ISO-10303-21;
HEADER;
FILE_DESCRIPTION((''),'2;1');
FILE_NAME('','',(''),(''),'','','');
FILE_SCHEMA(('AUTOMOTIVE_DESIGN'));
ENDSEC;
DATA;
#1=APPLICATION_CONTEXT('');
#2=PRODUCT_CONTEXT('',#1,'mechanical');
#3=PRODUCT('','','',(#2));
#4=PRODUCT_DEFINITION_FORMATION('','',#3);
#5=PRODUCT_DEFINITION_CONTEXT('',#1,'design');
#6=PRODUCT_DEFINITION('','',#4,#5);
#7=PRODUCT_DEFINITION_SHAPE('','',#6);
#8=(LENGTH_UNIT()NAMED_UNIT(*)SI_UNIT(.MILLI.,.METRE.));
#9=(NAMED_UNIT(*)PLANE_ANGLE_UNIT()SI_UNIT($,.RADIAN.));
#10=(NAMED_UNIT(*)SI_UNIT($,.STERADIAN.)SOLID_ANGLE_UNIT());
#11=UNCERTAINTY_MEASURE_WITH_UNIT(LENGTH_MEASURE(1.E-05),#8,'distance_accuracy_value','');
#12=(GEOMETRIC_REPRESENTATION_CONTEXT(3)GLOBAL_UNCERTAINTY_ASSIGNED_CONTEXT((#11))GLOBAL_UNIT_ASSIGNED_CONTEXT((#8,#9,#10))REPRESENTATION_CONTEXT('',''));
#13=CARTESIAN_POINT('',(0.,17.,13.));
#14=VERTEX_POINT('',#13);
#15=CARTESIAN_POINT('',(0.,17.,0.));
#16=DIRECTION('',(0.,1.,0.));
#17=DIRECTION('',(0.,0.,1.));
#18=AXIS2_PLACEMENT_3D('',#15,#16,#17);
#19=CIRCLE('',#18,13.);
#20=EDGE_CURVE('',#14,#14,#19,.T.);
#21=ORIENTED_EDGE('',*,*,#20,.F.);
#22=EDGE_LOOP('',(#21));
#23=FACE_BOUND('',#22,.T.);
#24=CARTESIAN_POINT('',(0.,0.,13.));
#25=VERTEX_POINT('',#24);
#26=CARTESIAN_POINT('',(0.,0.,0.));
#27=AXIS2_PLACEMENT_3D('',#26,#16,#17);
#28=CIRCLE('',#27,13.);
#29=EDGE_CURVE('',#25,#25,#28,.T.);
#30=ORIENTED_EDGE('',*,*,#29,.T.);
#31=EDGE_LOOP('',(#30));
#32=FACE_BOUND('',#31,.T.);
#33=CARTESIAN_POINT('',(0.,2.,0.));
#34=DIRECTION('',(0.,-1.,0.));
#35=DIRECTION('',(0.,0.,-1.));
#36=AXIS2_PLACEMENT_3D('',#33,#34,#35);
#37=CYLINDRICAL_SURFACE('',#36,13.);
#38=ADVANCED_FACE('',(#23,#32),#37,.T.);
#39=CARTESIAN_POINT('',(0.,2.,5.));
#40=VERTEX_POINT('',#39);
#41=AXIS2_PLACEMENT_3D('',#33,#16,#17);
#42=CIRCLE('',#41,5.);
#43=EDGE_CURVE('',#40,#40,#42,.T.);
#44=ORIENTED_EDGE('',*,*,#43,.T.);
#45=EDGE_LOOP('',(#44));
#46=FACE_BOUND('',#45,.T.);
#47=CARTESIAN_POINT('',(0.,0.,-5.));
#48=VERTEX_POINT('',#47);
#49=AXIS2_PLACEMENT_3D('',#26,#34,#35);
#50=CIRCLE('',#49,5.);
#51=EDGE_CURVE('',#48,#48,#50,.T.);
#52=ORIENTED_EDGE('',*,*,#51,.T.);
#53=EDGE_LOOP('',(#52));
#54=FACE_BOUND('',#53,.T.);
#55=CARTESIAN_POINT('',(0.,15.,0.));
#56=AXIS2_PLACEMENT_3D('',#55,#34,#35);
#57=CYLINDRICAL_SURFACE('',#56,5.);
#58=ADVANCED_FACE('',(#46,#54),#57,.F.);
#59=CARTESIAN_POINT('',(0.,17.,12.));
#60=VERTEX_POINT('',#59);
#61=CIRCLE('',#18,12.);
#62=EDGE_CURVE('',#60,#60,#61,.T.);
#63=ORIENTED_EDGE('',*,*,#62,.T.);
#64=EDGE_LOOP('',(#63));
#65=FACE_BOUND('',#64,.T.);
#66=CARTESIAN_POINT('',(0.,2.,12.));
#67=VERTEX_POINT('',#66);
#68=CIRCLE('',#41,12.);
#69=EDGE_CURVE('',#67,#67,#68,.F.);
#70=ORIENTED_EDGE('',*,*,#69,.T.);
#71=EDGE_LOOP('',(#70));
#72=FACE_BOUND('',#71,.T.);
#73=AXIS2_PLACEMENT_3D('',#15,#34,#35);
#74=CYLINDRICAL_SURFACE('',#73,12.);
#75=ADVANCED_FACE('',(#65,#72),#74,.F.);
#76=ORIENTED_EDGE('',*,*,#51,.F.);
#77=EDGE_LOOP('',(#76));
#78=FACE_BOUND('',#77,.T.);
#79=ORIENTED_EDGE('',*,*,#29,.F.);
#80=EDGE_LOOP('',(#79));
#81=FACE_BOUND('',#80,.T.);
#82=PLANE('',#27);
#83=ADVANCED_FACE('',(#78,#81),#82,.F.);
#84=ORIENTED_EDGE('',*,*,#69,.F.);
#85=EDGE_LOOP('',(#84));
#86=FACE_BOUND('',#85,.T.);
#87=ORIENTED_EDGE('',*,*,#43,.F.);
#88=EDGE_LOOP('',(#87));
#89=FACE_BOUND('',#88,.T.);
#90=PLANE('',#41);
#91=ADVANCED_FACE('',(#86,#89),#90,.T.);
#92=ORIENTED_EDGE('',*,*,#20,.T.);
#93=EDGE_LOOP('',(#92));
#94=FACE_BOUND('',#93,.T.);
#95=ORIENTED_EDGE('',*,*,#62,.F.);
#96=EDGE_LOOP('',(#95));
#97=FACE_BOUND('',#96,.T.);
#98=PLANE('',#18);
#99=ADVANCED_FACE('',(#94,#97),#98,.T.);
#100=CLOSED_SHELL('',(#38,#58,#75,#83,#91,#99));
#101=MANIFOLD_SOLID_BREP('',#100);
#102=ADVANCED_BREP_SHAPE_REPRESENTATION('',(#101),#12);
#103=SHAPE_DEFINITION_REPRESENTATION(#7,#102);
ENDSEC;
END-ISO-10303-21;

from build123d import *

# Parameters (mm, degrees)
SKETCH1_R           = 13
BOSS_EXTRUDE2_DEPTH = 2
SKETCH2_R           = 13
SKETCH2_R_2         = 12
BOSS_EXTRUDE3_DEPTH = 15
SKETCH3_R           = 5
CUT_EXTRUDE1_DEPTH  = 15


with BuildPart() as part:
    # Sketch1 → Boss-Extrude2 (new body)
    with BuildSketch(Plane(origin=(0, 0, 0), x_dir=(1, 0, 0), z_dir=(0, 1, 0))):
        with Locations(Location((0, 0, 0), (0, 0, 270))):
            Circle(SKETCH1_R)
    extrude(amount=BOSS_EXTRUDE2_DEPTH)

    # Sketch2 → Boss-Extrude3 (add)
    with BuildSketch(Plane(origin=(0, 2, 0), x_dir=(1, 0, 0), z_dir=(0, 1, 0))):
        with Locations(Location((0, 0, 0), (0, 0, 270))):
            Circle(SKETCH2_R)
        with Locations(Location((0, 0, 0), (0, 0, 270))):
            Circle(SKETCH2_R_2, mode=Mode.SUBTRACT)
    extrude(amount=BOSS_EXTRUDE3_DEPTH)

    # Sketch3 → Cut-Extrude1 (cut)
    with BuildSketch(Plane.XZ):
        with Locations(Location((0, 0, 0), (0, 0, 270))):
            Circle(SKETCH3_R)
    extrude(amount=-CUT_EXTRUDE1_DEPTH, mode=Mode.SUBTRACT)


solid = part.part
